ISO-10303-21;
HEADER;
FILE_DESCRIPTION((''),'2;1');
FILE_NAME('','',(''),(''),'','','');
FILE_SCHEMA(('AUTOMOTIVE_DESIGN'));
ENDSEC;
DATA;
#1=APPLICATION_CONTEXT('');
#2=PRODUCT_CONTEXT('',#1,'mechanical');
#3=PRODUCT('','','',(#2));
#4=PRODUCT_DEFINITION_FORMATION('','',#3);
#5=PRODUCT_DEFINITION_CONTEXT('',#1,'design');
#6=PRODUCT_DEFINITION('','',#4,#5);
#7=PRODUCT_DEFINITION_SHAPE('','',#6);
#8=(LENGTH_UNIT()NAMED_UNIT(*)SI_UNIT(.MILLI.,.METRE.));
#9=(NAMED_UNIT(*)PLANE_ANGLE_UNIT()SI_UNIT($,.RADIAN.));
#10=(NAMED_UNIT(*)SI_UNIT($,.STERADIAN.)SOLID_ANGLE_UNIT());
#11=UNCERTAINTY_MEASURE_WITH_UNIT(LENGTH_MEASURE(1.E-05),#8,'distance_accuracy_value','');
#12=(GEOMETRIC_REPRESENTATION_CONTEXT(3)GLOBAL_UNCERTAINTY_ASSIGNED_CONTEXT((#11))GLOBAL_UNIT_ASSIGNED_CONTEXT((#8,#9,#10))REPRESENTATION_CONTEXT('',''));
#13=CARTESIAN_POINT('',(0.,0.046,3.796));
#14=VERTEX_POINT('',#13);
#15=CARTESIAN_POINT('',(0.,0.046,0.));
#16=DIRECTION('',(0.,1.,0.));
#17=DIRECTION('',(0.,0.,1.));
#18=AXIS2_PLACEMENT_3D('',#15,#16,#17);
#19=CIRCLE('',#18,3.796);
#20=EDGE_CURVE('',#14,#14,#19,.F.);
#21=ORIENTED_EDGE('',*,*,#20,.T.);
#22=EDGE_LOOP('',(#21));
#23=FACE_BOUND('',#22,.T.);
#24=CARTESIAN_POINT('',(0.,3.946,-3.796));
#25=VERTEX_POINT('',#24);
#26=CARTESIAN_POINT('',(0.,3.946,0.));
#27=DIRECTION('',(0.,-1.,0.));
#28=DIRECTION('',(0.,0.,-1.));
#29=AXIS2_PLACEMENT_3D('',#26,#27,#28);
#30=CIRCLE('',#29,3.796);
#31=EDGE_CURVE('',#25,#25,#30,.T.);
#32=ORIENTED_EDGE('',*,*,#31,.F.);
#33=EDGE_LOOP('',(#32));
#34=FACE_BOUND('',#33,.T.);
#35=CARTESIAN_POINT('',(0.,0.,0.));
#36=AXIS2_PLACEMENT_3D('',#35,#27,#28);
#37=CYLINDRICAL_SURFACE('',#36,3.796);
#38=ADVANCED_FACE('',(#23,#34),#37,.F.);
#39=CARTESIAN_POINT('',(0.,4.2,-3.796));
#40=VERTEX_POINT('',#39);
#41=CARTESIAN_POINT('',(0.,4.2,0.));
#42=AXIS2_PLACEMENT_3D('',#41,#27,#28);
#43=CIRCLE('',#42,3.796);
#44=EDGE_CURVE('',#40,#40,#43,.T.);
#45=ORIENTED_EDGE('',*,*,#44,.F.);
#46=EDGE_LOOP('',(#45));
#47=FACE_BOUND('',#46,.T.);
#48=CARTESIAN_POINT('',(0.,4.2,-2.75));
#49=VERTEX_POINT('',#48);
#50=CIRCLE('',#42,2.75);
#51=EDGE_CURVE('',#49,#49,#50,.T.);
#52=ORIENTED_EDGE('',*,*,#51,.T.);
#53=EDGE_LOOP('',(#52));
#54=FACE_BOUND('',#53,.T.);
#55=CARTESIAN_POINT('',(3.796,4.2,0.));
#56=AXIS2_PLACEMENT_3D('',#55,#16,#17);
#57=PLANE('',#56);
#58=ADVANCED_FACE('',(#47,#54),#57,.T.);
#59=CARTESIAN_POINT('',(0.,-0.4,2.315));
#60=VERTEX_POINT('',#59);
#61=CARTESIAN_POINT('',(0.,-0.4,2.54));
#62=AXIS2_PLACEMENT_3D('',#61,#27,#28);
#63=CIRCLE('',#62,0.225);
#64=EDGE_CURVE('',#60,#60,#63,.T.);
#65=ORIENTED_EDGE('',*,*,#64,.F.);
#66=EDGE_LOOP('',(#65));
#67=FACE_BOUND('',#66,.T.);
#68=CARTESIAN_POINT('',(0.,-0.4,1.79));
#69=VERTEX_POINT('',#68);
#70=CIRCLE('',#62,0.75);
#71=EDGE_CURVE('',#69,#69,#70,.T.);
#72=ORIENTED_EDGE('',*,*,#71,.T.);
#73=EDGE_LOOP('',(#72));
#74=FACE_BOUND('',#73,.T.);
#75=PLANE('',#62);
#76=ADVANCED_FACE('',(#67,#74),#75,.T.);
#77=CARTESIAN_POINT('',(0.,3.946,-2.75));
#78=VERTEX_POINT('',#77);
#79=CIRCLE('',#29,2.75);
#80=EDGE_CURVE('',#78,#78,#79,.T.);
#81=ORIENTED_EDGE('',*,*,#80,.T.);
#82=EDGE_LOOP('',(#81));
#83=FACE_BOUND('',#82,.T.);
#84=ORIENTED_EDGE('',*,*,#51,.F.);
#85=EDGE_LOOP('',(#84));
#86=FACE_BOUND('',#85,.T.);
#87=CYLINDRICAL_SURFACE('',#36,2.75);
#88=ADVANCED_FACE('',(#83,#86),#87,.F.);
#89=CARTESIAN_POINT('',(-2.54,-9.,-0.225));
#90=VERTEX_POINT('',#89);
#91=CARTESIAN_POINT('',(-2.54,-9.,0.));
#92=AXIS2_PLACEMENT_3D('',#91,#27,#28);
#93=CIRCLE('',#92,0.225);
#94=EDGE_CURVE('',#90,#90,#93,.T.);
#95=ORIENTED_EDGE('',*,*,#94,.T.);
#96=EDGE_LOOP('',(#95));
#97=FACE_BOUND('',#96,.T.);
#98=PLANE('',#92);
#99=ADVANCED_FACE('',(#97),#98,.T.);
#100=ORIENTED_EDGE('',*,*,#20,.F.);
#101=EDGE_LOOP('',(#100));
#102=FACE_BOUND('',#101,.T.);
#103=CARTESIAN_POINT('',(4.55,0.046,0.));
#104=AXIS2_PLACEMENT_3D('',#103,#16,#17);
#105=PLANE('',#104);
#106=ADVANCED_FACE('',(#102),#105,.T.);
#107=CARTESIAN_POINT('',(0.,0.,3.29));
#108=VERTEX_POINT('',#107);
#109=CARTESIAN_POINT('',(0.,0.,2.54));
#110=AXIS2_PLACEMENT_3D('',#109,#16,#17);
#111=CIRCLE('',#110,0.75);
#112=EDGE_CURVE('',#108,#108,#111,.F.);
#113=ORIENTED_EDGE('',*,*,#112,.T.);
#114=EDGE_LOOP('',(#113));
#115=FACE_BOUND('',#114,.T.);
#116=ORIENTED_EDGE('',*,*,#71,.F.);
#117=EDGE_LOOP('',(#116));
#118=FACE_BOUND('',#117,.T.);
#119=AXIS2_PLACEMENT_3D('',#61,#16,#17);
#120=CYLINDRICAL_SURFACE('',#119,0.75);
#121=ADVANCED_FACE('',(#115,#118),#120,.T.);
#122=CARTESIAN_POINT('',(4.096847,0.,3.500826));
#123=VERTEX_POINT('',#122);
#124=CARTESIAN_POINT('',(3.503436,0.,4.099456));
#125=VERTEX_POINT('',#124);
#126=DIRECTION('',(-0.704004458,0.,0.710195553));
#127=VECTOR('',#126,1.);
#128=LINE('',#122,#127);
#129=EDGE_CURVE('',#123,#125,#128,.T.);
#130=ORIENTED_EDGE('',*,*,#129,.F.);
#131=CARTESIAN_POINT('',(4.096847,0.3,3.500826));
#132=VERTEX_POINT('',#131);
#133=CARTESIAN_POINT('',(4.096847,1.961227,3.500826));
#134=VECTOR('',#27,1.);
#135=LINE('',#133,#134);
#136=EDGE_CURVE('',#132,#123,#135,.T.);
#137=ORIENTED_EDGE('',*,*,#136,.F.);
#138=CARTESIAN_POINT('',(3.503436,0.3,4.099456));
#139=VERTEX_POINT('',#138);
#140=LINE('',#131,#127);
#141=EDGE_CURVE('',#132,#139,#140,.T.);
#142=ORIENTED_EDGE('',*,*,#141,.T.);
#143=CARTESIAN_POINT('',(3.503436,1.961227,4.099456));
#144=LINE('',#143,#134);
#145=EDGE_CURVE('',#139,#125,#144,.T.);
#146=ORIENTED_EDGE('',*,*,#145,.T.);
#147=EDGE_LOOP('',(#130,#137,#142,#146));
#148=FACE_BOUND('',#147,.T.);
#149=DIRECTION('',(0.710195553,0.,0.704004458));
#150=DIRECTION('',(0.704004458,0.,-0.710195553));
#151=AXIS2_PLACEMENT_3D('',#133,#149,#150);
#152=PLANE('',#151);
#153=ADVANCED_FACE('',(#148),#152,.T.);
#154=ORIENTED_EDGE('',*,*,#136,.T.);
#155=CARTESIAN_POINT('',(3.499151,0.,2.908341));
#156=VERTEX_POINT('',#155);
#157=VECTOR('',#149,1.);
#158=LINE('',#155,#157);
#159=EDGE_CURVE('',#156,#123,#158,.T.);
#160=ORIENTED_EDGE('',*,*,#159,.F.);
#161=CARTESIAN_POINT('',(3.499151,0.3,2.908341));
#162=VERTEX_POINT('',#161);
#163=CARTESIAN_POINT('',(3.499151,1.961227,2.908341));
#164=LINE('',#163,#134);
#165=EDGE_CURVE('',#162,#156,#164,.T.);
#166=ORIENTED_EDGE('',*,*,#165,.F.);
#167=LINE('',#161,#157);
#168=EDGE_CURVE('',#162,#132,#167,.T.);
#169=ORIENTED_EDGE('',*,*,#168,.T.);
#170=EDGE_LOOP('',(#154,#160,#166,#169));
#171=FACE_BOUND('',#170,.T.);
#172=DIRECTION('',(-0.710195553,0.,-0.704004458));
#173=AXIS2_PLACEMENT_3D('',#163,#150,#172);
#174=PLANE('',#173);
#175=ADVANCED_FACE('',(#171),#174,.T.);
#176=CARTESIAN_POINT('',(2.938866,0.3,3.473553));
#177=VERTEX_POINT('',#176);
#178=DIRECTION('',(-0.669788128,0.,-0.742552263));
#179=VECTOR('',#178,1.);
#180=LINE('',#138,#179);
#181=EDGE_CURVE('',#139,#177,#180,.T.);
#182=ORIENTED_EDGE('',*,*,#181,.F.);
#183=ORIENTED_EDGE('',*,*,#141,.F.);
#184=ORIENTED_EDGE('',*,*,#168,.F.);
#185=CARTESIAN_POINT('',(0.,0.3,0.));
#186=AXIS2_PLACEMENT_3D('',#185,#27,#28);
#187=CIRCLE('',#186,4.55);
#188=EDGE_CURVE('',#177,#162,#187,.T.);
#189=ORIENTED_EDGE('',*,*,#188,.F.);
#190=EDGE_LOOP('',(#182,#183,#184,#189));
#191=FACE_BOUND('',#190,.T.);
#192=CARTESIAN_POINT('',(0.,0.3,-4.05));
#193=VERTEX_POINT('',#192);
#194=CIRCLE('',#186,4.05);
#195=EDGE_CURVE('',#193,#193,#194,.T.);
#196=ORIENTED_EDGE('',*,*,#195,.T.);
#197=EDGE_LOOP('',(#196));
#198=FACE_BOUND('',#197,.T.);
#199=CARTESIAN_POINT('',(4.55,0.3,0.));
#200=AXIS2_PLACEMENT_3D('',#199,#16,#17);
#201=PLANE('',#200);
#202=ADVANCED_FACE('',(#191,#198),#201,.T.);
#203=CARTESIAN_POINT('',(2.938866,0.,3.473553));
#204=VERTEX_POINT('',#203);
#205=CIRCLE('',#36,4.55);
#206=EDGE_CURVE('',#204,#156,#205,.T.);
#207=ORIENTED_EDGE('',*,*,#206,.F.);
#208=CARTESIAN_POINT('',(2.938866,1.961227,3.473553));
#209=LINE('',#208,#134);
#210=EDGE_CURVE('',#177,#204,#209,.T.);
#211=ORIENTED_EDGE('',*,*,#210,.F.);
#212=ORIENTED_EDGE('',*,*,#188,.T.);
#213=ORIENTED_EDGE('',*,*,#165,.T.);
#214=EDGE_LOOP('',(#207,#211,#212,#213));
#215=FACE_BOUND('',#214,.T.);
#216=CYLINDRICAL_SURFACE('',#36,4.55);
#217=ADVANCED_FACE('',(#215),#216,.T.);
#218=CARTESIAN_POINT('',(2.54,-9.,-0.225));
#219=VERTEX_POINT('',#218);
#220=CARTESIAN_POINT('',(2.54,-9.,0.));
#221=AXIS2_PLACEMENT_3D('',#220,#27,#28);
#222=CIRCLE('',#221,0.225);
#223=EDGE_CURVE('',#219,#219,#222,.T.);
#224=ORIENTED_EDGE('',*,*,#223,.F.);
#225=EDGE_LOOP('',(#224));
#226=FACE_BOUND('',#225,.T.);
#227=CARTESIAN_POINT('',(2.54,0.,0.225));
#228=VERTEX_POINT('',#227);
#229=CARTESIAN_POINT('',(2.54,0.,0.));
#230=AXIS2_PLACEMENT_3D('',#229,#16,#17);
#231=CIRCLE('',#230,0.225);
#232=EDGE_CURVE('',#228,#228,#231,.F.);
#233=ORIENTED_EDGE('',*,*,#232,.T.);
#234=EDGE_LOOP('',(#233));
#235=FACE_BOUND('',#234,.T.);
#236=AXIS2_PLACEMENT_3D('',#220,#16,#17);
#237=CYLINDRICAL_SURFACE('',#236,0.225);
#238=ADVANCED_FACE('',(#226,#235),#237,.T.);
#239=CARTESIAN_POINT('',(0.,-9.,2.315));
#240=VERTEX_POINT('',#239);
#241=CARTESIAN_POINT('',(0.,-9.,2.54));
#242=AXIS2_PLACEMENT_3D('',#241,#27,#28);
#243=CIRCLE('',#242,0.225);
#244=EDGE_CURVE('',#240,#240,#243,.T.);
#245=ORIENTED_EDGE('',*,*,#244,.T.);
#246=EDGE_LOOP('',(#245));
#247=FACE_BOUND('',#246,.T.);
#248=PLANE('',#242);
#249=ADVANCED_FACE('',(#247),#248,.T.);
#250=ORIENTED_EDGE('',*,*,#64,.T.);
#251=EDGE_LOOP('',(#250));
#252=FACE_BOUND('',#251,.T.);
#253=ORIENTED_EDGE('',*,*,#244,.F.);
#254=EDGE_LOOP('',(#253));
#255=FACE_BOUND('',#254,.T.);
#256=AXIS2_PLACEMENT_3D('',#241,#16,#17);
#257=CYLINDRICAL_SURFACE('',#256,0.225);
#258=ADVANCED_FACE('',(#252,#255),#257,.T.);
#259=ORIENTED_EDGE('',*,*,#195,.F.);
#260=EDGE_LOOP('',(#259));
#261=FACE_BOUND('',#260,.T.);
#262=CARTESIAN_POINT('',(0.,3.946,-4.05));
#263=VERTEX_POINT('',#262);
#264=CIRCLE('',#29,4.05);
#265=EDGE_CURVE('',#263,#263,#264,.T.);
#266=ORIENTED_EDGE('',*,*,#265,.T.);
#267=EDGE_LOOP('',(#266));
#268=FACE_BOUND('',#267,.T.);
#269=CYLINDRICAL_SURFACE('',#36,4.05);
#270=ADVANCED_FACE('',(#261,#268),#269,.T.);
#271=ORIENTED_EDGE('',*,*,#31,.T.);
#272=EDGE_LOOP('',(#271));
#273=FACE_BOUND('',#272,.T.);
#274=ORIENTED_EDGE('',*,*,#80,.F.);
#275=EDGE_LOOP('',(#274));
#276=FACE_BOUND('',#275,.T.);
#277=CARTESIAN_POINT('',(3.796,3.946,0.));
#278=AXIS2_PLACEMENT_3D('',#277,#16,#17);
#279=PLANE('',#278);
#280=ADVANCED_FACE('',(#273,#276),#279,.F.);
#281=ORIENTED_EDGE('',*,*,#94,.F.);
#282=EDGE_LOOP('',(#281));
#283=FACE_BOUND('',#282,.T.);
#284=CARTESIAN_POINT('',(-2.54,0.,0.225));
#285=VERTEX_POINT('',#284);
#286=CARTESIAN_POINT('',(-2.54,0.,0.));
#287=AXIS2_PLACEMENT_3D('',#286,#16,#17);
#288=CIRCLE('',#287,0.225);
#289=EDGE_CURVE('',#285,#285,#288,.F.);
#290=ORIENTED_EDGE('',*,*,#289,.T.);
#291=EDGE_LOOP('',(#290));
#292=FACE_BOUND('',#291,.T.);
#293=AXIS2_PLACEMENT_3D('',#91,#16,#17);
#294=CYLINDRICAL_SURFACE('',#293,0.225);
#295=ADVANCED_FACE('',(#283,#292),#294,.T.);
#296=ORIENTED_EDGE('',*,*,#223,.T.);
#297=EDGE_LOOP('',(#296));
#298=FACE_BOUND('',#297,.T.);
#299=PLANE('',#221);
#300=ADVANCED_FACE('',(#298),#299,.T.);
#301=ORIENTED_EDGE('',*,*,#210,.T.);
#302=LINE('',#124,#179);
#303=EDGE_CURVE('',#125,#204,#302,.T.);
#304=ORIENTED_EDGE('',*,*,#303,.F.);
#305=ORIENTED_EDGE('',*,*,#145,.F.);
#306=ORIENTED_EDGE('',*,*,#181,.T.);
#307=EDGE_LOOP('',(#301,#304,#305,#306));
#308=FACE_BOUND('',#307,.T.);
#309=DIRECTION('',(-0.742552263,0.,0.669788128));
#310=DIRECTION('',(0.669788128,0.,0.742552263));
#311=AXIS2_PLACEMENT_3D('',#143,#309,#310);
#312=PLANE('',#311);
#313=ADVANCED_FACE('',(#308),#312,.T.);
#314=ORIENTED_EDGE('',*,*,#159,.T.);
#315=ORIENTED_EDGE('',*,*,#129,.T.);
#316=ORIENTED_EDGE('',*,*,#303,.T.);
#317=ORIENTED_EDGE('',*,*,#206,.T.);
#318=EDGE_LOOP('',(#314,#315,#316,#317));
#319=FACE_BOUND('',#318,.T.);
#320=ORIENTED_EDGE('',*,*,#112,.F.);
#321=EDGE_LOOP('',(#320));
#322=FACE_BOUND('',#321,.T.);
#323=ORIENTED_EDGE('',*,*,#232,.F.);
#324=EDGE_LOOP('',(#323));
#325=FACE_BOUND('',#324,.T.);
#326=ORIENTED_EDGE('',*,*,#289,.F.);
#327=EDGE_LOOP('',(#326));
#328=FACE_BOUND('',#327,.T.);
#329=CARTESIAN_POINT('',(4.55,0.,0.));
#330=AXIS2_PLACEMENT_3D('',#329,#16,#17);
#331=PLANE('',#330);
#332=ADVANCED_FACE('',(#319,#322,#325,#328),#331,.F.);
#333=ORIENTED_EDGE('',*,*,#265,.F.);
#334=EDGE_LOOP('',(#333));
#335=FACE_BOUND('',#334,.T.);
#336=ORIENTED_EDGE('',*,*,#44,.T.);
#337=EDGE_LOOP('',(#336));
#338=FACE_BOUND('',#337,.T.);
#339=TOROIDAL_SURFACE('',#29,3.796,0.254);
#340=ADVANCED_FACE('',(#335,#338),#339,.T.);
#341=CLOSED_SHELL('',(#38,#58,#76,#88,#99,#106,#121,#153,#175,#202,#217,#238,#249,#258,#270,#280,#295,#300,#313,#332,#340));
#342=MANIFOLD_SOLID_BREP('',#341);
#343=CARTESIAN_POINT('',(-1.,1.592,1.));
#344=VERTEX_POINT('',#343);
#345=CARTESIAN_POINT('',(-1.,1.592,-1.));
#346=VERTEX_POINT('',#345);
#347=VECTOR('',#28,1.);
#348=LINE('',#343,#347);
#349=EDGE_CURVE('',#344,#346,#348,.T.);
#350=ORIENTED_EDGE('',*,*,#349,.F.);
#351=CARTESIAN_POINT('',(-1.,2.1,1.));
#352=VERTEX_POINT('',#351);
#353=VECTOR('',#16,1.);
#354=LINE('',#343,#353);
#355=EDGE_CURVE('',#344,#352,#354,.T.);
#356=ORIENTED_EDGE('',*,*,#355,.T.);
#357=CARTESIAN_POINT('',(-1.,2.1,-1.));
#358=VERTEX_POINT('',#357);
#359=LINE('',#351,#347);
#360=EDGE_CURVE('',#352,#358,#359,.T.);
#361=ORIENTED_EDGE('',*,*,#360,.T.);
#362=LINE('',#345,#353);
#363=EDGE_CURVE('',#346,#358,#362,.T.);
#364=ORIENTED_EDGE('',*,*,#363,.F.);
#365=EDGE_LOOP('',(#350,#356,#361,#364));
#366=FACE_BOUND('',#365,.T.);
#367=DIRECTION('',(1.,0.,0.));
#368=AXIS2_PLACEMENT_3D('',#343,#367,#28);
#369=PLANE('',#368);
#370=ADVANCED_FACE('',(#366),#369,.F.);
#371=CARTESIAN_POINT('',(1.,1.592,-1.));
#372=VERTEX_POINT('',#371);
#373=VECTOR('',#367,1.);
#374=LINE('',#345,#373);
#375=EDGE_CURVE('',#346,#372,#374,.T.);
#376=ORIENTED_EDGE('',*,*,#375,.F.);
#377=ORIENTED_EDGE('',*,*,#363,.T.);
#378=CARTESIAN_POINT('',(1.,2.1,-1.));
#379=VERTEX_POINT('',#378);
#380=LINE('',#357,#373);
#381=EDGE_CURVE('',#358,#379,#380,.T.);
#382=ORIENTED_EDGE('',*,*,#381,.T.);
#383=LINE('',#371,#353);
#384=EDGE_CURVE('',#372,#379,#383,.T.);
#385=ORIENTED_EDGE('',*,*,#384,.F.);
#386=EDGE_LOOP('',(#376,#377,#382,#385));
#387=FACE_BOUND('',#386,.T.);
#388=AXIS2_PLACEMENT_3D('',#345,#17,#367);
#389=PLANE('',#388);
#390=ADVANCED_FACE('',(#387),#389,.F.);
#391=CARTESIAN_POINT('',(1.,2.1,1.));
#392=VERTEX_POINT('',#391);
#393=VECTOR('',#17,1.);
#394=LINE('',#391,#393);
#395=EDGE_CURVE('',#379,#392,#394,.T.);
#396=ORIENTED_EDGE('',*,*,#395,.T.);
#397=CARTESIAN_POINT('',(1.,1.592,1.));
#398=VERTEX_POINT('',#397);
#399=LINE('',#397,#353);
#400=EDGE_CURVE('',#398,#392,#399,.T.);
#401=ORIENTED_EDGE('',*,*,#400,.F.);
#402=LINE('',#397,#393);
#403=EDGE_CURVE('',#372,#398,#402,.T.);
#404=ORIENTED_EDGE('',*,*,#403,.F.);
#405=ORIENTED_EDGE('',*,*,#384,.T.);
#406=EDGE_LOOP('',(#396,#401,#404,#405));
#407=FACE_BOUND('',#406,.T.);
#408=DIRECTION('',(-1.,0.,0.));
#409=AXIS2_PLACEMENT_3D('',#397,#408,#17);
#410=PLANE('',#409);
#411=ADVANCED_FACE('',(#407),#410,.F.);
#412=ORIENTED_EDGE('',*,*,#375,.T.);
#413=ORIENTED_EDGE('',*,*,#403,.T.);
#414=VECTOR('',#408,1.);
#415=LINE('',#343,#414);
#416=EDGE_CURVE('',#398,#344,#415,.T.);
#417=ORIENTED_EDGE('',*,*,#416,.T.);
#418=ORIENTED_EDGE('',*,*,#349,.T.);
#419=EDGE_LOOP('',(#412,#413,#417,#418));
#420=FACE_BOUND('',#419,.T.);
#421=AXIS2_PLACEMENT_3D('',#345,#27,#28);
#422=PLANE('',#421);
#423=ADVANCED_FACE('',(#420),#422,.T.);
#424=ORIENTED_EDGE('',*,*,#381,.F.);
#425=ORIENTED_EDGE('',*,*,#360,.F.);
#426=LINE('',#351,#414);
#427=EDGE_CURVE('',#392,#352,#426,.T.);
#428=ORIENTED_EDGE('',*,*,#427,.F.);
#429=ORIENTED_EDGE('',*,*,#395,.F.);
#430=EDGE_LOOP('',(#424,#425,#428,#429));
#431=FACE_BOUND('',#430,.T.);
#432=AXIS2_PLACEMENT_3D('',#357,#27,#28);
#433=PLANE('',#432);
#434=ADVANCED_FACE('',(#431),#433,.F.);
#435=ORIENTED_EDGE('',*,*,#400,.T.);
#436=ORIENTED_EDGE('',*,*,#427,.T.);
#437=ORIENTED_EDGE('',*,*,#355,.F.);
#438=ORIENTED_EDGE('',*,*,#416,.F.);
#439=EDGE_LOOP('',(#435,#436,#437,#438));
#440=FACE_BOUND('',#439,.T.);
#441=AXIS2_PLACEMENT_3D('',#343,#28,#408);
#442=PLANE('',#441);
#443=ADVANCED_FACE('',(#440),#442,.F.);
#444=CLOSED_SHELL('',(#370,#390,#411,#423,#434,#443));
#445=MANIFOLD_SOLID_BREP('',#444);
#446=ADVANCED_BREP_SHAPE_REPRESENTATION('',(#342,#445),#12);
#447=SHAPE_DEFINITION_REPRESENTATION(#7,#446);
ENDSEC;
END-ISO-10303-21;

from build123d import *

# Parameters (mm, degrees)
SKETCH2_R           = 4.55
BOSS_EXTRUDE1_DEPTH = 0.046
BOSS_EXTRUDE2_START = -2.1
SKETCH3_W           = 2
SKETCH3_H           = 2
BOSS_EXTRUDE2_DEPTH = 0.508
BOSS_EXTRUDE3_DEPTH = 0.3
SKETCH5_R           = 0.225
BOSS_EXTRUDE4_DEPTH = 9
SKETCH7_R           = 0.75
BOSS_EXTRUDE5_DEPTH = 0.4


with BuildPart() as part:
    # Sketch1 → Revolve-Thin2 (revolve)
    with BuildSketch(Plane.XY, mode=Mode.PRIVATE) as revolve_thin2_sk:
        with BuildLine():
            Line((4.55, 0), (4.55, 0.3))
            Line((4.55, 0.3), (4.05, 0.3))
            Line((4.05, 0.3), (4.05, 3.946))
            ThreePointArc((4.05, 3.946), (3.975605122, 4.125605122), (3.796, 4.2))
            Line((3.796, 4.2), (2.75, 4.2))
            Line((2.75, 4.2), (2.75, 3.946))
            Line((2.75, 3.946), (3.796, 3.946))
            Line((3.796, 3.946), (3.796, 0.046))
            Line((3.796, 0.046), (4.296, 0.046))
            Line((4.296, 0.046), (4.296, 0))
            Line((4.296, 0), (4.55, 0))
        make_face()
    revolve(revolve_thin2_sk.sketch.rotate(Axis((0, 0, 0), (0, 1, 0)), 90), axis=Axis((0, 0, 0), (0, 1, 0)))  # turned: the seam where the file's is

    # Sketch2 → Boss-Extrude1 (add)
    with BuildSketch(Plane.XZ):
        with Locations(Location((0, 0, 0), (0, 0, 270))):  # turned: the seam where the file's is
            Circle(SKETCH2_R)
    extrude(amount=-BOSS_EXTRUDE1_DEPTH)

    # Sketch4 → Boss-Extrude3 (add)
    with BuildSketch(Plane.XZ):
        Polygon((3.499150564, 2.908340649), (2.938865798, 3.473552623), (3.503435617, 4.099455918), (4.096846657, 3.500826355), align=None)
    extrude(amount=-BOSS_EXTRUDE3_DEPTH)

    # Sketch5 → Boss-Extrude4 (add)
    with BuildSketch(Plane.XZ):
        with Locations(Location((-2.54, 0, 0), (0, 0, 90))):  # turned: the seam where the file's is
            Circle(SKETCH5_R)
        with Locations(Location((2.54, 0, 0), (0, 0, 90))):  # turned: the seam where the file's is
            Circle(SKETCH5_R)
        with Locations(Location((0, 2.54, 0), (0, 0, 90))):  # turned: the seam where the file's is
            Circle(SKETCH5_R)
    extrude(amount=BOSS_EXTRUDE4_DEPTH)

    # Sketch7 → Boss-Extrude5 (add)
    with BuildSketch(Plane.XZ):
        with Locations(Location((0, 2.54, 0), (0, 0, 90))):  # turned: the seam where the file's is
            Circle(SKETCH7_R)
    extrude(amount=BOSS_EXTRUDE5_DEPTH)


with BuildPart() as body_2:
    # Sketch3 → Boss-Extrude2 (new body)
    with BuildSketch(Plane.XZ.offset(BOSS_EXTRUDE2_START)):
        Rectangle(SKETCH3_W, SKETCH3_H)
    extrude(amount=BOSS_EXTRUDE2_DEPTH)


solid = Compound([part.part, body_2.part])
